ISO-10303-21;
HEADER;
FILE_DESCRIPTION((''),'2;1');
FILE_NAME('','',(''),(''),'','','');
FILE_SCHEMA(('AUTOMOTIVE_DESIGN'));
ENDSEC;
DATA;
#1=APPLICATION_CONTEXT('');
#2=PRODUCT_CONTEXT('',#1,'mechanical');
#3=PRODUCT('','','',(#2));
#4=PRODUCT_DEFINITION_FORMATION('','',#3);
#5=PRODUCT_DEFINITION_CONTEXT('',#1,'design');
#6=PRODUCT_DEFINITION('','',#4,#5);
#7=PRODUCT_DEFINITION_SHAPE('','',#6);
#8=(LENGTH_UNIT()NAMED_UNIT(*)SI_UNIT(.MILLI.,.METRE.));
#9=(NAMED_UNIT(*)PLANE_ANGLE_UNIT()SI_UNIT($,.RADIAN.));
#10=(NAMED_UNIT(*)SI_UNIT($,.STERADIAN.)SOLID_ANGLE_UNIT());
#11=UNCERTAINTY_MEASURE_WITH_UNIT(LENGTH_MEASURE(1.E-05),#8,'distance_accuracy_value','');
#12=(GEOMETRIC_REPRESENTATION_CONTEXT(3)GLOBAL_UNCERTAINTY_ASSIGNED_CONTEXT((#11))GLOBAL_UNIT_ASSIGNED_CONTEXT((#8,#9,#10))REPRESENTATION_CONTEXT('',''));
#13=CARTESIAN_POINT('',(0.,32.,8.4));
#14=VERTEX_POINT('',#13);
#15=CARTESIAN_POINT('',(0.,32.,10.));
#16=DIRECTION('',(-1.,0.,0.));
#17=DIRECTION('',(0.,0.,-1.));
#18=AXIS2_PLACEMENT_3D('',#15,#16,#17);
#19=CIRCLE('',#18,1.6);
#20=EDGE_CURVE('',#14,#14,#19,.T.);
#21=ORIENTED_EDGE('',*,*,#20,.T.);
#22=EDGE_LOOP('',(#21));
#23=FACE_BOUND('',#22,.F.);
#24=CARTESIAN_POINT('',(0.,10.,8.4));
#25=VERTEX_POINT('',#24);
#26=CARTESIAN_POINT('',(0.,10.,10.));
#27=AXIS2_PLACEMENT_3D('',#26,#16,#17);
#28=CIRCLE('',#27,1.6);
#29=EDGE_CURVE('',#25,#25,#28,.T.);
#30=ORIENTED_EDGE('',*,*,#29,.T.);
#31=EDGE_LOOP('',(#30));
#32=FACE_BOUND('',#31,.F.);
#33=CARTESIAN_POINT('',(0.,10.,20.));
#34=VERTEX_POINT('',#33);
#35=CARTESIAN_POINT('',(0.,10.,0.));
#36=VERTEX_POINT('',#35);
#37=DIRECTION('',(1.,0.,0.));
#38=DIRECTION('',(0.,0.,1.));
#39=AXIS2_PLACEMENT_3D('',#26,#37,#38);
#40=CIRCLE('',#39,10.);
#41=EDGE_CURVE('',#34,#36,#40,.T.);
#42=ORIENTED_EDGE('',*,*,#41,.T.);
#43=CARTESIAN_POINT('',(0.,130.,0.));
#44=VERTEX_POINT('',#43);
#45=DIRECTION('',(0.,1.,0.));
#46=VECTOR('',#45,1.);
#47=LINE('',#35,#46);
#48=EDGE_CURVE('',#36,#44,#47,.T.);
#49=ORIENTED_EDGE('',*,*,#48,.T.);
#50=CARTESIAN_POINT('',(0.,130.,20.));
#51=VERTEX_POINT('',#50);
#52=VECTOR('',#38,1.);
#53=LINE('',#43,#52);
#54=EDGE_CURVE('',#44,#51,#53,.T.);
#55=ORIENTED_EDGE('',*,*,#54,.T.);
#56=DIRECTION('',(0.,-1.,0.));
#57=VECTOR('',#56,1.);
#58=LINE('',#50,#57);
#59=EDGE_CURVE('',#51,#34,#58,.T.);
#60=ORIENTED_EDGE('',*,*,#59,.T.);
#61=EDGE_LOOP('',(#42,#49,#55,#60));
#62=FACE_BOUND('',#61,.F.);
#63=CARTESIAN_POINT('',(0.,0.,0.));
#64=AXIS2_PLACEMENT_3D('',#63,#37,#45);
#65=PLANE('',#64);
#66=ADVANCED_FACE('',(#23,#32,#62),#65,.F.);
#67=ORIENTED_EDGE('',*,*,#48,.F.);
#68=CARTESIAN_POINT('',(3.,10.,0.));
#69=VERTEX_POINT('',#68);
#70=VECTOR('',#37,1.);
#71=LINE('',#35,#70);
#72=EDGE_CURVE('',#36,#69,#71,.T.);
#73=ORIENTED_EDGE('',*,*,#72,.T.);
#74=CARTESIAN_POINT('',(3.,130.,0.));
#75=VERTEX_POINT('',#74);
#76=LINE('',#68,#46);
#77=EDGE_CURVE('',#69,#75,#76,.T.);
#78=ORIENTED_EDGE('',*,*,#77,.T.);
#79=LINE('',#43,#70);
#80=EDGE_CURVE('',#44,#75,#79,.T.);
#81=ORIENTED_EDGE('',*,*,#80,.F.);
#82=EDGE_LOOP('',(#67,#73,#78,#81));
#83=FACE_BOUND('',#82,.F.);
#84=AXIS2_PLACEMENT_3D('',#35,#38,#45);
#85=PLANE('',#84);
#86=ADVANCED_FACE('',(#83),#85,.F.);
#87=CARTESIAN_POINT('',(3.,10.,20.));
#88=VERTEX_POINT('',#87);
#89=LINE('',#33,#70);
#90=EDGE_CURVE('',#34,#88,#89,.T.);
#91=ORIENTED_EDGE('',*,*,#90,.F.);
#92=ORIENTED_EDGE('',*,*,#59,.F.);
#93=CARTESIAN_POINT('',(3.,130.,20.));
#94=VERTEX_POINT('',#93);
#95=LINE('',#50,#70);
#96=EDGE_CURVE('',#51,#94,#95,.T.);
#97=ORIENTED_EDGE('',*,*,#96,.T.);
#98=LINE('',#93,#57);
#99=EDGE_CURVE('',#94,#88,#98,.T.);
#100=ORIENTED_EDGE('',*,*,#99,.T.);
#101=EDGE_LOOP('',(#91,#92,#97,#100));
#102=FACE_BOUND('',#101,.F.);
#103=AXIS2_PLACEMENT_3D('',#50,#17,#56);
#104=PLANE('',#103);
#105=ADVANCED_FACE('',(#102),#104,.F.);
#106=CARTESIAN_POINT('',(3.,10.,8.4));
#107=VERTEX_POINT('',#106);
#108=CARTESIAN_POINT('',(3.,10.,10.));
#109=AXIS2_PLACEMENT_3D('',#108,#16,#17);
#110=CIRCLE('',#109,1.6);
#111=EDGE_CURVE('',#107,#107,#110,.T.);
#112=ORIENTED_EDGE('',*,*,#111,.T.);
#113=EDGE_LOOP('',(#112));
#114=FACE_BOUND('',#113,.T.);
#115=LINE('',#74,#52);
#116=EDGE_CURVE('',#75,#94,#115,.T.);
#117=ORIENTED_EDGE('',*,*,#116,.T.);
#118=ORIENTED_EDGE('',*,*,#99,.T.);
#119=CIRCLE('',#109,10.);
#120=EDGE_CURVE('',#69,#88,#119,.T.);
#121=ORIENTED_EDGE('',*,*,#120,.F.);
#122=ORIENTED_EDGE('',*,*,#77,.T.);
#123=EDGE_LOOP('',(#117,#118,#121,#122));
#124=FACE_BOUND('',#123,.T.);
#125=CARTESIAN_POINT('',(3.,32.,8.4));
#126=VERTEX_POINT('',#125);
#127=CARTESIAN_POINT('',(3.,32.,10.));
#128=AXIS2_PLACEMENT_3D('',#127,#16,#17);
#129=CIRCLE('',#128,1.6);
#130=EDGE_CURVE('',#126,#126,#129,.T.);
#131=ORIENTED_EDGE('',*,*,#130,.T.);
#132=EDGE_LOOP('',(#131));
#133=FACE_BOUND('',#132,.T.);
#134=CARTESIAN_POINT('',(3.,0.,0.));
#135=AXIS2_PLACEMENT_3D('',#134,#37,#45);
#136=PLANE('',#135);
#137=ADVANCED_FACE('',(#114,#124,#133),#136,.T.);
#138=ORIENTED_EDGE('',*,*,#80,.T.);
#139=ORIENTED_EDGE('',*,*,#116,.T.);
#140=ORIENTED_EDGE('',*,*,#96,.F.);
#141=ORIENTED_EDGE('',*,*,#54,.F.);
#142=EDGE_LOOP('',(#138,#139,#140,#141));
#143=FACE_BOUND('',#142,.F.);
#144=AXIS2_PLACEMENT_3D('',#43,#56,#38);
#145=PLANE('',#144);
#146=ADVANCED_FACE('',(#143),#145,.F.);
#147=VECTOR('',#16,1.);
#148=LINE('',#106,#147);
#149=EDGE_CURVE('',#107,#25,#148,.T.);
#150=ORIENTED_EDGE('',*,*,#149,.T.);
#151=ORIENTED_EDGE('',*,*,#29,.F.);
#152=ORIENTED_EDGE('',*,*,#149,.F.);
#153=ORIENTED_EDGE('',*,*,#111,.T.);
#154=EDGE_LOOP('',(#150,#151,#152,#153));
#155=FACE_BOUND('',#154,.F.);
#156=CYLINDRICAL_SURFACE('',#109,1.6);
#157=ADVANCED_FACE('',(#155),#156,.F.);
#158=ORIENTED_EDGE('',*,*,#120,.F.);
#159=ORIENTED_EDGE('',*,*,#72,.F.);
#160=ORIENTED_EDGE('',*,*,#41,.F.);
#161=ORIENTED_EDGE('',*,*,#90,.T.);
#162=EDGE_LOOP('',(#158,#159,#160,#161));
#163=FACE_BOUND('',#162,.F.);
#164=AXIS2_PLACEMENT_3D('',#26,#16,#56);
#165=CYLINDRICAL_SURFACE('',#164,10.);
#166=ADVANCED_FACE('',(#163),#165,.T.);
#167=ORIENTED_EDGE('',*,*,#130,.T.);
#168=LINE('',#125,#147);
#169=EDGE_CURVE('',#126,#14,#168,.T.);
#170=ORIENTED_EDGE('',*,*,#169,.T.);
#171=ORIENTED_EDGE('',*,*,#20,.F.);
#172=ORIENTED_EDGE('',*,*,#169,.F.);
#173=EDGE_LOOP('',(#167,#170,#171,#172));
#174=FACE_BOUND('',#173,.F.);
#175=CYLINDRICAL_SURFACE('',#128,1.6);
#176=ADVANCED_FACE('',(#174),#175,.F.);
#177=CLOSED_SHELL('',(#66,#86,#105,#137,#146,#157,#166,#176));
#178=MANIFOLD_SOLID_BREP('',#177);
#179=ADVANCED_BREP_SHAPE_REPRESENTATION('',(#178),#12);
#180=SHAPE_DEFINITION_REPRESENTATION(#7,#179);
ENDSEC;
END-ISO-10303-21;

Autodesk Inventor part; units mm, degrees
ref_plane "YZ Plane" through (0, 0, 0) normal (1, 0, 0) x (0, 1, 0)
ref_plane "XZ Plane" through (0, 0, 0) normal (0, 1, 0) x (-1, 0, 0)
ref_plane "XY Plane" through (0, 0, 0) normal (0, 0, 1) x (1, 0, 0)
sketch "Szkic1" plane through (0, 0, 0) normal (1, 0, 0) x (0, 1, 0)
  line L0 (10, 0) -> (130, 0)
  line L1 (130, 0) -> (130, 20)
  line L2 (130, 20) -> (10, 20)
  line L3 (0, 10) -> (0, 10)
  arc A0 (0, 10) -> (10, 0) centre (10, 10) ccw
  arc A1 (10, 20) -> (0, 10) centre (10, 10) ccw
  circle A2 centre (32, 10) radius 1.6
  point P0 (0, 0)
  point P1 (0, 20)
  dimension "d0" = 20
  dimension "d2" = 10
  dimension "d12" = 120
  dimension "d13" = 32
  dimension "d14" = 3.2
extrude "Wyciągnięcie proste1" add sketch "Szkic1" along normal blind 3 contours A0 A1 L2 L1 L0 | A2
sketch "Szkic2" plane through (3, 0, 0) normal (1, 0, 0) x (0, 0, -1)
  arc A0 (-20, 10) -> (0, 10) centre (-10, 10) ccw projected
  point P0 (0, 0)
hole "Otwór1" at (3, 10, 10) direction (-1, 0, 0) diameter 3.2 end through all
sketch "Szkic3" plane through (3, 0, 0) normal (1, 0, 0) x (0, 0, -1)
  point P0 (0, 0)
  point P1 (-10, 32)
  dimension "d15" = 32
hole "Otwór2" at (3, 32, 10) direction (-1, 0, 0) diameter 3.2 end through all
properties material "Drewno (wiśnia)"
